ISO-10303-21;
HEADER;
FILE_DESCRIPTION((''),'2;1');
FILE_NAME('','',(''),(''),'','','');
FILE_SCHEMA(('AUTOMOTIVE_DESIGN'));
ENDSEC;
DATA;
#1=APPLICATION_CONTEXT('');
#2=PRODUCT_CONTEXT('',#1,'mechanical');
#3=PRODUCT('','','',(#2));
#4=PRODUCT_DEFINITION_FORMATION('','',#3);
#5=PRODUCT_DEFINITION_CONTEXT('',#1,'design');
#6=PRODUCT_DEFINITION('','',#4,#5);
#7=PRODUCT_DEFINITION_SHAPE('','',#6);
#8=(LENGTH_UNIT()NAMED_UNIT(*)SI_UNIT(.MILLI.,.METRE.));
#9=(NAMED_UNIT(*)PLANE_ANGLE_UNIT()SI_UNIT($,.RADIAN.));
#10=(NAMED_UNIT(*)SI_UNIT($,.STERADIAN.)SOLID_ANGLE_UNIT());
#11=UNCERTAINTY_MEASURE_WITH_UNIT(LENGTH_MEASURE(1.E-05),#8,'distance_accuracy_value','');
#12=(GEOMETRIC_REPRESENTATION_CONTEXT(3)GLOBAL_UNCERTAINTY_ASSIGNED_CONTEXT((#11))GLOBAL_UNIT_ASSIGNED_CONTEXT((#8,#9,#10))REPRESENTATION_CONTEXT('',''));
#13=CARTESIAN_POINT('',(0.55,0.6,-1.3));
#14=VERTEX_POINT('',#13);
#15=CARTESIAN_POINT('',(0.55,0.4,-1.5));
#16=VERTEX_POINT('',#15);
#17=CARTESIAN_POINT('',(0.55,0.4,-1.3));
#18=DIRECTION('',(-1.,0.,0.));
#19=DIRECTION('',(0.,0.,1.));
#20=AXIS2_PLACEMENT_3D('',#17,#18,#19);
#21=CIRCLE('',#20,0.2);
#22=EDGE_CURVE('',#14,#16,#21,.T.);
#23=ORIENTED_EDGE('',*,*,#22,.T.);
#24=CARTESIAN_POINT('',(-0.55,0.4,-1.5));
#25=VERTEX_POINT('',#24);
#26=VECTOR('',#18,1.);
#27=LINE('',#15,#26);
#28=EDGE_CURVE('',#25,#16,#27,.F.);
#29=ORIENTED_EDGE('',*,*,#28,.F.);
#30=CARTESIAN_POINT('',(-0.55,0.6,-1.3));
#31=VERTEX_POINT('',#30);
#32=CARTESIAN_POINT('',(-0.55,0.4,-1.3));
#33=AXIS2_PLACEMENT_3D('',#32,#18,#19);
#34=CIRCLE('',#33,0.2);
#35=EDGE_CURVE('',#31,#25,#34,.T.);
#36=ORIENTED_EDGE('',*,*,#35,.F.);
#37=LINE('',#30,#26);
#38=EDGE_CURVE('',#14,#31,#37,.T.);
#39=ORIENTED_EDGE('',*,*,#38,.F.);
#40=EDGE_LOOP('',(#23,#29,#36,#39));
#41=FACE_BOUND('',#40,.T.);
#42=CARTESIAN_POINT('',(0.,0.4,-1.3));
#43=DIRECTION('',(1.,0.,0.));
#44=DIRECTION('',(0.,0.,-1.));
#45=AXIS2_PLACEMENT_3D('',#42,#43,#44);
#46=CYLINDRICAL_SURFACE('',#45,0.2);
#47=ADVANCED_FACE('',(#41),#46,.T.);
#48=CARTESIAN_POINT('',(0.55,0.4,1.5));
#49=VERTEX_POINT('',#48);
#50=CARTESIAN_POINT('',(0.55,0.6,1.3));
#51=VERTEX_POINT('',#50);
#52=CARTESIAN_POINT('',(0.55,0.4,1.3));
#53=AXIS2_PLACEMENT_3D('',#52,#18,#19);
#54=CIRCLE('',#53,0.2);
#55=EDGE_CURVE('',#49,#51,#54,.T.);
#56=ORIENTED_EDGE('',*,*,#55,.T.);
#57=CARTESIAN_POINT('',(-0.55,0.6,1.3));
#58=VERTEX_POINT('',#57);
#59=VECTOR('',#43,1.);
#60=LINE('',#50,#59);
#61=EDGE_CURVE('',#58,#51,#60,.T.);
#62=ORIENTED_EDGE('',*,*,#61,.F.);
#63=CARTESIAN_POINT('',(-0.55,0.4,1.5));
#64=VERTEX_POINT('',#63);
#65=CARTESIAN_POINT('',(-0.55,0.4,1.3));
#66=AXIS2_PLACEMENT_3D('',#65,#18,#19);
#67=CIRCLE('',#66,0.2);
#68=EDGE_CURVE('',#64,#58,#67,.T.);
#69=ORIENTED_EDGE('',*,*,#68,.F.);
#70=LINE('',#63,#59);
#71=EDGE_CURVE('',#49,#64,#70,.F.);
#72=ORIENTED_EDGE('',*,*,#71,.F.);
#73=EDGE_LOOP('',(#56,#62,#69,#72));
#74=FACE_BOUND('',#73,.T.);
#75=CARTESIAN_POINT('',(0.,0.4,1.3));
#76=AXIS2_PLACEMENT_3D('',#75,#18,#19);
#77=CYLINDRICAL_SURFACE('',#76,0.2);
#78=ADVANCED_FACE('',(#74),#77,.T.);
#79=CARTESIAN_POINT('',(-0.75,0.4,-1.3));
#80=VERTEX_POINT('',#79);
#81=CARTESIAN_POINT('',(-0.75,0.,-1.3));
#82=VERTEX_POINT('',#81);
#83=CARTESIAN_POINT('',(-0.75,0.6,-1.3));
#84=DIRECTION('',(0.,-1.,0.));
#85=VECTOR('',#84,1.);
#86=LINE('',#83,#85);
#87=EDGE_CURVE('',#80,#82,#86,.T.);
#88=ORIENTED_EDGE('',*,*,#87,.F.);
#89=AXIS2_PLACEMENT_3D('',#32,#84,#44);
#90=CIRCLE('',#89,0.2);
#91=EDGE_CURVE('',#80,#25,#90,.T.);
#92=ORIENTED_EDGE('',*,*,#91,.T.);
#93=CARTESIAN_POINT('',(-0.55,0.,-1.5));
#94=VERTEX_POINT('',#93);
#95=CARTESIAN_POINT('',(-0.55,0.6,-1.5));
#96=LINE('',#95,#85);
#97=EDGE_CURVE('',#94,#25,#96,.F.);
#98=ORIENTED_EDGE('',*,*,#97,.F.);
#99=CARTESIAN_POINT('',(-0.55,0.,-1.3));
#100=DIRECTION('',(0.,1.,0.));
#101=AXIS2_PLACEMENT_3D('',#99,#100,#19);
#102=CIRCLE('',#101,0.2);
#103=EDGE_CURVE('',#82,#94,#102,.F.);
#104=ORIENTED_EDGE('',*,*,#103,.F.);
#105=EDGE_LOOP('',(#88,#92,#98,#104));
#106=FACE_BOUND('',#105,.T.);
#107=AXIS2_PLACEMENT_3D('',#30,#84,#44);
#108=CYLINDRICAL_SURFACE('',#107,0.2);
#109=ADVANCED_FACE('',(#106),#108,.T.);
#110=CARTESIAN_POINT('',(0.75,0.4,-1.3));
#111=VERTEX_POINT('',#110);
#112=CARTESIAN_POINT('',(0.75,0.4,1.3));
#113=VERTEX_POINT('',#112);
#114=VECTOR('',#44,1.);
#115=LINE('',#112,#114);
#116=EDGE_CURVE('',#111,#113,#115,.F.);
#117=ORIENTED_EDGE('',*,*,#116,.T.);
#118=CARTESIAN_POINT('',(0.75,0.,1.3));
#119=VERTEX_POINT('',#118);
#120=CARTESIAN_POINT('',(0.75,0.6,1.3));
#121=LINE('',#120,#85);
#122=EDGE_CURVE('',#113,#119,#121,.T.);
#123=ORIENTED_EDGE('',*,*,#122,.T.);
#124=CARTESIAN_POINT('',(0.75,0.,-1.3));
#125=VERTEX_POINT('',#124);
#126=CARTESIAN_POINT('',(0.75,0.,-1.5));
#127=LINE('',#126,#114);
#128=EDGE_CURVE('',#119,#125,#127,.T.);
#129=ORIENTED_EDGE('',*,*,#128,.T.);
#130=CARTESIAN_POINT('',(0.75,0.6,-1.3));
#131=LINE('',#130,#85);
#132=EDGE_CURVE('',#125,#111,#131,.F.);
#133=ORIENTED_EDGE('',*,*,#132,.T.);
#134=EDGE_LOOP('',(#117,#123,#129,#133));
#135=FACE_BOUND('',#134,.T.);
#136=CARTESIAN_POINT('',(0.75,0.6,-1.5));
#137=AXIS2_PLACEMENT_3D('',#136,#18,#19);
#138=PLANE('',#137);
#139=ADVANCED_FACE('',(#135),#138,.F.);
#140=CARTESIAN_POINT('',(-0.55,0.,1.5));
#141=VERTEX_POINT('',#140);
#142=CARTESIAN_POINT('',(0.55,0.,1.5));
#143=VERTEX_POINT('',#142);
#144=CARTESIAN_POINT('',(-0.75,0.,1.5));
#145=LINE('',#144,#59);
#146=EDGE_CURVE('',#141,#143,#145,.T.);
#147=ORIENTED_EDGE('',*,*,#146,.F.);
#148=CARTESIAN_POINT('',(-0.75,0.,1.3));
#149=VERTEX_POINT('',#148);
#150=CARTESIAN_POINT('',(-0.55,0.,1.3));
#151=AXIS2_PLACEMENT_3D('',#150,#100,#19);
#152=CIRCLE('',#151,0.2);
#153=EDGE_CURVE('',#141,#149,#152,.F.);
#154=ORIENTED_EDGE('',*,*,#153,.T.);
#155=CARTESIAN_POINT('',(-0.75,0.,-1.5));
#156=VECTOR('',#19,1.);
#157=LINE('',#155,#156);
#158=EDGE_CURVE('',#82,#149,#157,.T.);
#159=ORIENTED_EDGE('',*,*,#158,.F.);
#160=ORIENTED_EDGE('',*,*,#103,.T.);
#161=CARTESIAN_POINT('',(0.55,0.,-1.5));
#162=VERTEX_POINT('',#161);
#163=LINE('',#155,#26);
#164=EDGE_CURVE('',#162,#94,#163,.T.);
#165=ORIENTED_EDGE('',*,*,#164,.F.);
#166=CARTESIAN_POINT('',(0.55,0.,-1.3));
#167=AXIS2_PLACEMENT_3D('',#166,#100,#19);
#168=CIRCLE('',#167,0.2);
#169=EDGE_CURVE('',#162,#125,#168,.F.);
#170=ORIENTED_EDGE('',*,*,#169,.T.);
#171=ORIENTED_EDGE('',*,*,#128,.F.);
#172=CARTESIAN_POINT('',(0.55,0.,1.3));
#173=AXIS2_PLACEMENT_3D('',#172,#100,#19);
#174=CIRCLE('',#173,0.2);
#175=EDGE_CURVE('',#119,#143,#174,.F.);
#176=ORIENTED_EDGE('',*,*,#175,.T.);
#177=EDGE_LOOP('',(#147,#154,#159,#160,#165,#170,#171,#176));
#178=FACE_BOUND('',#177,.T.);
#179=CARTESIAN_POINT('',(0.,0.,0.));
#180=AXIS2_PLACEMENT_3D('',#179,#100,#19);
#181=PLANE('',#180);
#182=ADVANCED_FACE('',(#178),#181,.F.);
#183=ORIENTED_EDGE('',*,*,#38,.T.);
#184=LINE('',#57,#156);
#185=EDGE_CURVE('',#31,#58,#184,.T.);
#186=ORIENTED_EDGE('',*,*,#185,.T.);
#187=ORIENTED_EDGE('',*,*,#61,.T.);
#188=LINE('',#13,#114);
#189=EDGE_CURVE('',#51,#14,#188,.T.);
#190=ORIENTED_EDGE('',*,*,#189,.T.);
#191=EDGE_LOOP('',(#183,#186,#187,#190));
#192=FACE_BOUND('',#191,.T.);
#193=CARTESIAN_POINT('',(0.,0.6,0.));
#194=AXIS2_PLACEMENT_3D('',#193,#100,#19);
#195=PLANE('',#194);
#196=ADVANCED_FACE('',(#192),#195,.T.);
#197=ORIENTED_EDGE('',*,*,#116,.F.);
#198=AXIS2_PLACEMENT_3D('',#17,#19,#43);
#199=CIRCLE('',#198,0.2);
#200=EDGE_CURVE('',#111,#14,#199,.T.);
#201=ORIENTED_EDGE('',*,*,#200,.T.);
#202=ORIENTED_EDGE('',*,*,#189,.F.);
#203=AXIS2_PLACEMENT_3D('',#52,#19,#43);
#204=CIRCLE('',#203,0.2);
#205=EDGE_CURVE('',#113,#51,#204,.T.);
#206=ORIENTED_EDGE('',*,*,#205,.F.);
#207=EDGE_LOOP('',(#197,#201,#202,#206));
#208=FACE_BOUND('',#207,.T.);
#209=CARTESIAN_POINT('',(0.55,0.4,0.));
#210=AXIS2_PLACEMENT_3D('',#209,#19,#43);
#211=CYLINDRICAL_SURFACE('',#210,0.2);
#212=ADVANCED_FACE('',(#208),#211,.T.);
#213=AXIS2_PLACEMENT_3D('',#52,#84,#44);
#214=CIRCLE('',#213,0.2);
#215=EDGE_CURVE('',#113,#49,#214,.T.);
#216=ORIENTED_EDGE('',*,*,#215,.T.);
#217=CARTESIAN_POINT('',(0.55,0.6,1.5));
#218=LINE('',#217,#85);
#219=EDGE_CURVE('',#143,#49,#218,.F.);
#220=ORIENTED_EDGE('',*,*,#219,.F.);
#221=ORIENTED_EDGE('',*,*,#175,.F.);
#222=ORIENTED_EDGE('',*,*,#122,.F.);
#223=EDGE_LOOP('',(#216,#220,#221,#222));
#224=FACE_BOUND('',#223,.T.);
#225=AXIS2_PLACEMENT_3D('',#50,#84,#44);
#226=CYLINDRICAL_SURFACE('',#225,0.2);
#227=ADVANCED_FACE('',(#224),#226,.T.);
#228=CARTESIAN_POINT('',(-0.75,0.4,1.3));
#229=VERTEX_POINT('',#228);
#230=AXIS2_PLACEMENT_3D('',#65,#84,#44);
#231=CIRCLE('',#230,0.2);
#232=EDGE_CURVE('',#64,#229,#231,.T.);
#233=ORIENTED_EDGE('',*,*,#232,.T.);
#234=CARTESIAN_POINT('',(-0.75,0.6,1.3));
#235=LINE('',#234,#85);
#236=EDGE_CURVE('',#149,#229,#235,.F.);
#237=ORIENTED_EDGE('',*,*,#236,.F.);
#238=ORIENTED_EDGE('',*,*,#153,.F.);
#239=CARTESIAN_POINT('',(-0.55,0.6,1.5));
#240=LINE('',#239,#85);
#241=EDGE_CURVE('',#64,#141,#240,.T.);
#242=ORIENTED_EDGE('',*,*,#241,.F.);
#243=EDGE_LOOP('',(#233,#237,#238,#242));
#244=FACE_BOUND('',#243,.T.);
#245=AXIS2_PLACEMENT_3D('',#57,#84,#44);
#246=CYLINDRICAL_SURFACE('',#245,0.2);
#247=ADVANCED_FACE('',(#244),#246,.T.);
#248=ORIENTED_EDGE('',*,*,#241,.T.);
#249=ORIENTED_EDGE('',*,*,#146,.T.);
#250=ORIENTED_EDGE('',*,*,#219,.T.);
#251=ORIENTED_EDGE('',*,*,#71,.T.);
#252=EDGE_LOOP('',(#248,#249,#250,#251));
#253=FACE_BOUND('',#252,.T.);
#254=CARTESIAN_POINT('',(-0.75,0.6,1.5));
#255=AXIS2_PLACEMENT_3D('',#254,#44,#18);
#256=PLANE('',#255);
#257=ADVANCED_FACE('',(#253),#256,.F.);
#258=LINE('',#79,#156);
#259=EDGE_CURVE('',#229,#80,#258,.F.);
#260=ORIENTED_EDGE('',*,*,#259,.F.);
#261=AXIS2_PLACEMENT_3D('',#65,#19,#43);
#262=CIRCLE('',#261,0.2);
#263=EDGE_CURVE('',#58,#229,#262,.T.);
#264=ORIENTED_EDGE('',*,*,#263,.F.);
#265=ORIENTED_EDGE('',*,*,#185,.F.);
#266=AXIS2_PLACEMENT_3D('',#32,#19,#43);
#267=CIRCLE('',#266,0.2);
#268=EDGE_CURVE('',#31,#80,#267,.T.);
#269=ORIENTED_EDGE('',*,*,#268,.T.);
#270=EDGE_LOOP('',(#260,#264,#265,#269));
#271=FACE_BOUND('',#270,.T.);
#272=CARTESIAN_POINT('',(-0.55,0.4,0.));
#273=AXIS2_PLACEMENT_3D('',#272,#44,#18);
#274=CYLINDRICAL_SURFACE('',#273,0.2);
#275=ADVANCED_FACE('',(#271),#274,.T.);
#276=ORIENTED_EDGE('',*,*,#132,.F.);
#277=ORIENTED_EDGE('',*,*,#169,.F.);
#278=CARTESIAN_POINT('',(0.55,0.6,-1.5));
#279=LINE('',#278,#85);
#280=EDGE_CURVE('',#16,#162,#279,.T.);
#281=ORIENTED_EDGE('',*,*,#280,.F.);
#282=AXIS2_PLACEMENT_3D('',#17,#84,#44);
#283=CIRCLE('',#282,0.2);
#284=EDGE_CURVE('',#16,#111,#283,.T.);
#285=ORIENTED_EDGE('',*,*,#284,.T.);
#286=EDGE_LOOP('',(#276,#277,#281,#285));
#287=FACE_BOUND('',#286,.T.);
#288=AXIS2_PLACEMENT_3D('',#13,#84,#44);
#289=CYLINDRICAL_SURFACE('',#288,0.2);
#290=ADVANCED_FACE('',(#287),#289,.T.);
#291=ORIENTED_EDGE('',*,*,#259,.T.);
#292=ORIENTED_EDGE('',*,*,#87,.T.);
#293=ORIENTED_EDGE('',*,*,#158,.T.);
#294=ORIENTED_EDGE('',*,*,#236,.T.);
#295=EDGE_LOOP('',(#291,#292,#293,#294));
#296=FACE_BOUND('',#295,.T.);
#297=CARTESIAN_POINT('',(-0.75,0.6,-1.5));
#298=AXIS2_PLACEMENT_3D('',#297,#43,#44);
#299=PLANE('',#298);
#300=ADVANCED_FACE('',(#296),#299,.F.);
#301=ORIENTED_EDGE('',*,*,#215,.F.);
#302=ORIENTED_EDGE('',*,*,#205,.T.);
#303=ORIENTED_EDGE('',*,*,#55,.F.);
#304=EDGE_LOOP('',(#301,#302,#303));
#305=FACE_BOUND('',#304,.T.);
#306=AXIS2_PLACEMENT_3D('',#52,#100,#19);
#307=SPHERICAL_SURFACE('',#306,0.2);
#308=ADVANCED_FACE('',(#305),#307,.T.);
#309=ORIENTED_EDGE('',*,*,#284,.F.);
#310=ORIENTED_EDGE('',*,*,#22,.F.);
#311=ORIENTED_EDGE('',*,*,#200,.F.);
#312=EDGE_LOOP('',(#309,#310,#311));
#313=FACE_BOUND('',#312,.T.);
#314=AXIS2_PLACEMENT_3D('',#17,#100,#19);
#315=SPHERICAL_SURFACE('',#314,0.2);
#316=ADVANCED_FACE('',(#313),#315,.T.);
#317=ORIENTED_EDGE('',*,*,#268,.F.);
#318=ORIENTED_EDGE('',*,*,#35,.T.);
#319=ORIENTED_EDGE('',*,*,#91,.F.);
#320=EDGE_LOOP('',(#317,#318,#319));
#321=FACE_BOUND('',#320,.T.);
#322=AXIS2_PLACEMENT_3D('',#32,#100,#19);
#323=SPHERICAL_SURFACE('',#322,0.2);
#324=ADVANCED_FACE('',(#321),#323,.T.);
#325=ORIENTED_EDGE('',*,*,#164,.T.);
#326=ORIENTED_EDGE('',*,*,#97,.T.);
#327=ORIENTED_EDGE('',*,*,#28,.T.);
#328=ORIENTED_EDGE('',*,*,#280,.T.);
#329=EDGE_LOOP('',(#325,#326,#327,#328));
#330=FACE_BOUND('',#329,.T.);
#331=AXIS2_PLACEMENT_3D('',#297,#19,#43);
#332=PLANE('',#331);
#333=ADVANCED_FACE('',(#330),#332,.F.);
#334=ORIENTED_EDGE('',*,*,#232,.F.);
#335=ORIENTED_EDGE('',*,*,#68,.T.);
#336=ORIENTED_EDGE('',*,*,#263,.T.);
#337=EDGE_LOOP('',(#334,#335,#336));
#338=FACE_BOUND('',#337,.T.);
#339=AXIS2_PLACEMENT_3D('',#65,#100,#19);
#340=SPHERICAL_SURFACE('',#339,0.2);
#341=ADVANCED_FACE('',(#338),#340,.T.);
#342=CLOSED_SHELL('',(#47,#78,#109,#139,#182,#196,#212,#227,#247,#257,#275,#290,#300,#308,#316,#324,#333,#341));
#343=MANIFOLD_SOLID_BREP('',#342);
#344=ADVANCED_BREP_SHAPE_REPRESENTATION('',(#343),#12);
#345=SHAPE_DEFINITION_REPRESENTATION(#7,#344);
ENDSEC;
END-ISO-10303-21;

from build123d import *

# Parameters (mm, degrees)
BASES_W    = 1.5
BASES_H    = 3
BASE_DEPTH = 0.6
SIDEF_R    = 0.2
TOPF_R     = 0.2


with BuildPart() as part:
    # BaseS → Base (new body)
    with BuildSketch(Plane(origin=(0, 0, 0), x_dir=(1, 0, 0), z_dir=(0, 1, 0))):
        Rectangle(BASES_W, BASES_H)
    extrude(amount=BASE_DEPTH)

    # SideF
    sidef_edges = [part.edges().sort_by_distance(p)[0] for p in [
        (0.75, 0.3, 1.5),
        (-0.75, 0.3, 1.5),
        (-0.75, 0.3, -1.5),
        (0.75, 0.3, -1.5),
    ]]
    fillet(sidef_edges, radius=SIDEF_R)

    # TopF
    topf_edges = [part.edges().sort_by_distance(p)[0] for p in [
        (0.75, 0.6, 0),
        (0, 0.6, 1.5),
        (0, 0.6, -1.5),
        (-0.75, 0.6, 0),
        (-0.691421356, 0.6, -1.441421356),
        (-0.691421356, 0.6, 1.441421356),
        (0.691421356, 0.6, -1.441421356),
        (0.691421356, 0.6, 1.441421356),
    ]]
    fillet(topf_edges, radius=TOPF_R)


solid = part.part
